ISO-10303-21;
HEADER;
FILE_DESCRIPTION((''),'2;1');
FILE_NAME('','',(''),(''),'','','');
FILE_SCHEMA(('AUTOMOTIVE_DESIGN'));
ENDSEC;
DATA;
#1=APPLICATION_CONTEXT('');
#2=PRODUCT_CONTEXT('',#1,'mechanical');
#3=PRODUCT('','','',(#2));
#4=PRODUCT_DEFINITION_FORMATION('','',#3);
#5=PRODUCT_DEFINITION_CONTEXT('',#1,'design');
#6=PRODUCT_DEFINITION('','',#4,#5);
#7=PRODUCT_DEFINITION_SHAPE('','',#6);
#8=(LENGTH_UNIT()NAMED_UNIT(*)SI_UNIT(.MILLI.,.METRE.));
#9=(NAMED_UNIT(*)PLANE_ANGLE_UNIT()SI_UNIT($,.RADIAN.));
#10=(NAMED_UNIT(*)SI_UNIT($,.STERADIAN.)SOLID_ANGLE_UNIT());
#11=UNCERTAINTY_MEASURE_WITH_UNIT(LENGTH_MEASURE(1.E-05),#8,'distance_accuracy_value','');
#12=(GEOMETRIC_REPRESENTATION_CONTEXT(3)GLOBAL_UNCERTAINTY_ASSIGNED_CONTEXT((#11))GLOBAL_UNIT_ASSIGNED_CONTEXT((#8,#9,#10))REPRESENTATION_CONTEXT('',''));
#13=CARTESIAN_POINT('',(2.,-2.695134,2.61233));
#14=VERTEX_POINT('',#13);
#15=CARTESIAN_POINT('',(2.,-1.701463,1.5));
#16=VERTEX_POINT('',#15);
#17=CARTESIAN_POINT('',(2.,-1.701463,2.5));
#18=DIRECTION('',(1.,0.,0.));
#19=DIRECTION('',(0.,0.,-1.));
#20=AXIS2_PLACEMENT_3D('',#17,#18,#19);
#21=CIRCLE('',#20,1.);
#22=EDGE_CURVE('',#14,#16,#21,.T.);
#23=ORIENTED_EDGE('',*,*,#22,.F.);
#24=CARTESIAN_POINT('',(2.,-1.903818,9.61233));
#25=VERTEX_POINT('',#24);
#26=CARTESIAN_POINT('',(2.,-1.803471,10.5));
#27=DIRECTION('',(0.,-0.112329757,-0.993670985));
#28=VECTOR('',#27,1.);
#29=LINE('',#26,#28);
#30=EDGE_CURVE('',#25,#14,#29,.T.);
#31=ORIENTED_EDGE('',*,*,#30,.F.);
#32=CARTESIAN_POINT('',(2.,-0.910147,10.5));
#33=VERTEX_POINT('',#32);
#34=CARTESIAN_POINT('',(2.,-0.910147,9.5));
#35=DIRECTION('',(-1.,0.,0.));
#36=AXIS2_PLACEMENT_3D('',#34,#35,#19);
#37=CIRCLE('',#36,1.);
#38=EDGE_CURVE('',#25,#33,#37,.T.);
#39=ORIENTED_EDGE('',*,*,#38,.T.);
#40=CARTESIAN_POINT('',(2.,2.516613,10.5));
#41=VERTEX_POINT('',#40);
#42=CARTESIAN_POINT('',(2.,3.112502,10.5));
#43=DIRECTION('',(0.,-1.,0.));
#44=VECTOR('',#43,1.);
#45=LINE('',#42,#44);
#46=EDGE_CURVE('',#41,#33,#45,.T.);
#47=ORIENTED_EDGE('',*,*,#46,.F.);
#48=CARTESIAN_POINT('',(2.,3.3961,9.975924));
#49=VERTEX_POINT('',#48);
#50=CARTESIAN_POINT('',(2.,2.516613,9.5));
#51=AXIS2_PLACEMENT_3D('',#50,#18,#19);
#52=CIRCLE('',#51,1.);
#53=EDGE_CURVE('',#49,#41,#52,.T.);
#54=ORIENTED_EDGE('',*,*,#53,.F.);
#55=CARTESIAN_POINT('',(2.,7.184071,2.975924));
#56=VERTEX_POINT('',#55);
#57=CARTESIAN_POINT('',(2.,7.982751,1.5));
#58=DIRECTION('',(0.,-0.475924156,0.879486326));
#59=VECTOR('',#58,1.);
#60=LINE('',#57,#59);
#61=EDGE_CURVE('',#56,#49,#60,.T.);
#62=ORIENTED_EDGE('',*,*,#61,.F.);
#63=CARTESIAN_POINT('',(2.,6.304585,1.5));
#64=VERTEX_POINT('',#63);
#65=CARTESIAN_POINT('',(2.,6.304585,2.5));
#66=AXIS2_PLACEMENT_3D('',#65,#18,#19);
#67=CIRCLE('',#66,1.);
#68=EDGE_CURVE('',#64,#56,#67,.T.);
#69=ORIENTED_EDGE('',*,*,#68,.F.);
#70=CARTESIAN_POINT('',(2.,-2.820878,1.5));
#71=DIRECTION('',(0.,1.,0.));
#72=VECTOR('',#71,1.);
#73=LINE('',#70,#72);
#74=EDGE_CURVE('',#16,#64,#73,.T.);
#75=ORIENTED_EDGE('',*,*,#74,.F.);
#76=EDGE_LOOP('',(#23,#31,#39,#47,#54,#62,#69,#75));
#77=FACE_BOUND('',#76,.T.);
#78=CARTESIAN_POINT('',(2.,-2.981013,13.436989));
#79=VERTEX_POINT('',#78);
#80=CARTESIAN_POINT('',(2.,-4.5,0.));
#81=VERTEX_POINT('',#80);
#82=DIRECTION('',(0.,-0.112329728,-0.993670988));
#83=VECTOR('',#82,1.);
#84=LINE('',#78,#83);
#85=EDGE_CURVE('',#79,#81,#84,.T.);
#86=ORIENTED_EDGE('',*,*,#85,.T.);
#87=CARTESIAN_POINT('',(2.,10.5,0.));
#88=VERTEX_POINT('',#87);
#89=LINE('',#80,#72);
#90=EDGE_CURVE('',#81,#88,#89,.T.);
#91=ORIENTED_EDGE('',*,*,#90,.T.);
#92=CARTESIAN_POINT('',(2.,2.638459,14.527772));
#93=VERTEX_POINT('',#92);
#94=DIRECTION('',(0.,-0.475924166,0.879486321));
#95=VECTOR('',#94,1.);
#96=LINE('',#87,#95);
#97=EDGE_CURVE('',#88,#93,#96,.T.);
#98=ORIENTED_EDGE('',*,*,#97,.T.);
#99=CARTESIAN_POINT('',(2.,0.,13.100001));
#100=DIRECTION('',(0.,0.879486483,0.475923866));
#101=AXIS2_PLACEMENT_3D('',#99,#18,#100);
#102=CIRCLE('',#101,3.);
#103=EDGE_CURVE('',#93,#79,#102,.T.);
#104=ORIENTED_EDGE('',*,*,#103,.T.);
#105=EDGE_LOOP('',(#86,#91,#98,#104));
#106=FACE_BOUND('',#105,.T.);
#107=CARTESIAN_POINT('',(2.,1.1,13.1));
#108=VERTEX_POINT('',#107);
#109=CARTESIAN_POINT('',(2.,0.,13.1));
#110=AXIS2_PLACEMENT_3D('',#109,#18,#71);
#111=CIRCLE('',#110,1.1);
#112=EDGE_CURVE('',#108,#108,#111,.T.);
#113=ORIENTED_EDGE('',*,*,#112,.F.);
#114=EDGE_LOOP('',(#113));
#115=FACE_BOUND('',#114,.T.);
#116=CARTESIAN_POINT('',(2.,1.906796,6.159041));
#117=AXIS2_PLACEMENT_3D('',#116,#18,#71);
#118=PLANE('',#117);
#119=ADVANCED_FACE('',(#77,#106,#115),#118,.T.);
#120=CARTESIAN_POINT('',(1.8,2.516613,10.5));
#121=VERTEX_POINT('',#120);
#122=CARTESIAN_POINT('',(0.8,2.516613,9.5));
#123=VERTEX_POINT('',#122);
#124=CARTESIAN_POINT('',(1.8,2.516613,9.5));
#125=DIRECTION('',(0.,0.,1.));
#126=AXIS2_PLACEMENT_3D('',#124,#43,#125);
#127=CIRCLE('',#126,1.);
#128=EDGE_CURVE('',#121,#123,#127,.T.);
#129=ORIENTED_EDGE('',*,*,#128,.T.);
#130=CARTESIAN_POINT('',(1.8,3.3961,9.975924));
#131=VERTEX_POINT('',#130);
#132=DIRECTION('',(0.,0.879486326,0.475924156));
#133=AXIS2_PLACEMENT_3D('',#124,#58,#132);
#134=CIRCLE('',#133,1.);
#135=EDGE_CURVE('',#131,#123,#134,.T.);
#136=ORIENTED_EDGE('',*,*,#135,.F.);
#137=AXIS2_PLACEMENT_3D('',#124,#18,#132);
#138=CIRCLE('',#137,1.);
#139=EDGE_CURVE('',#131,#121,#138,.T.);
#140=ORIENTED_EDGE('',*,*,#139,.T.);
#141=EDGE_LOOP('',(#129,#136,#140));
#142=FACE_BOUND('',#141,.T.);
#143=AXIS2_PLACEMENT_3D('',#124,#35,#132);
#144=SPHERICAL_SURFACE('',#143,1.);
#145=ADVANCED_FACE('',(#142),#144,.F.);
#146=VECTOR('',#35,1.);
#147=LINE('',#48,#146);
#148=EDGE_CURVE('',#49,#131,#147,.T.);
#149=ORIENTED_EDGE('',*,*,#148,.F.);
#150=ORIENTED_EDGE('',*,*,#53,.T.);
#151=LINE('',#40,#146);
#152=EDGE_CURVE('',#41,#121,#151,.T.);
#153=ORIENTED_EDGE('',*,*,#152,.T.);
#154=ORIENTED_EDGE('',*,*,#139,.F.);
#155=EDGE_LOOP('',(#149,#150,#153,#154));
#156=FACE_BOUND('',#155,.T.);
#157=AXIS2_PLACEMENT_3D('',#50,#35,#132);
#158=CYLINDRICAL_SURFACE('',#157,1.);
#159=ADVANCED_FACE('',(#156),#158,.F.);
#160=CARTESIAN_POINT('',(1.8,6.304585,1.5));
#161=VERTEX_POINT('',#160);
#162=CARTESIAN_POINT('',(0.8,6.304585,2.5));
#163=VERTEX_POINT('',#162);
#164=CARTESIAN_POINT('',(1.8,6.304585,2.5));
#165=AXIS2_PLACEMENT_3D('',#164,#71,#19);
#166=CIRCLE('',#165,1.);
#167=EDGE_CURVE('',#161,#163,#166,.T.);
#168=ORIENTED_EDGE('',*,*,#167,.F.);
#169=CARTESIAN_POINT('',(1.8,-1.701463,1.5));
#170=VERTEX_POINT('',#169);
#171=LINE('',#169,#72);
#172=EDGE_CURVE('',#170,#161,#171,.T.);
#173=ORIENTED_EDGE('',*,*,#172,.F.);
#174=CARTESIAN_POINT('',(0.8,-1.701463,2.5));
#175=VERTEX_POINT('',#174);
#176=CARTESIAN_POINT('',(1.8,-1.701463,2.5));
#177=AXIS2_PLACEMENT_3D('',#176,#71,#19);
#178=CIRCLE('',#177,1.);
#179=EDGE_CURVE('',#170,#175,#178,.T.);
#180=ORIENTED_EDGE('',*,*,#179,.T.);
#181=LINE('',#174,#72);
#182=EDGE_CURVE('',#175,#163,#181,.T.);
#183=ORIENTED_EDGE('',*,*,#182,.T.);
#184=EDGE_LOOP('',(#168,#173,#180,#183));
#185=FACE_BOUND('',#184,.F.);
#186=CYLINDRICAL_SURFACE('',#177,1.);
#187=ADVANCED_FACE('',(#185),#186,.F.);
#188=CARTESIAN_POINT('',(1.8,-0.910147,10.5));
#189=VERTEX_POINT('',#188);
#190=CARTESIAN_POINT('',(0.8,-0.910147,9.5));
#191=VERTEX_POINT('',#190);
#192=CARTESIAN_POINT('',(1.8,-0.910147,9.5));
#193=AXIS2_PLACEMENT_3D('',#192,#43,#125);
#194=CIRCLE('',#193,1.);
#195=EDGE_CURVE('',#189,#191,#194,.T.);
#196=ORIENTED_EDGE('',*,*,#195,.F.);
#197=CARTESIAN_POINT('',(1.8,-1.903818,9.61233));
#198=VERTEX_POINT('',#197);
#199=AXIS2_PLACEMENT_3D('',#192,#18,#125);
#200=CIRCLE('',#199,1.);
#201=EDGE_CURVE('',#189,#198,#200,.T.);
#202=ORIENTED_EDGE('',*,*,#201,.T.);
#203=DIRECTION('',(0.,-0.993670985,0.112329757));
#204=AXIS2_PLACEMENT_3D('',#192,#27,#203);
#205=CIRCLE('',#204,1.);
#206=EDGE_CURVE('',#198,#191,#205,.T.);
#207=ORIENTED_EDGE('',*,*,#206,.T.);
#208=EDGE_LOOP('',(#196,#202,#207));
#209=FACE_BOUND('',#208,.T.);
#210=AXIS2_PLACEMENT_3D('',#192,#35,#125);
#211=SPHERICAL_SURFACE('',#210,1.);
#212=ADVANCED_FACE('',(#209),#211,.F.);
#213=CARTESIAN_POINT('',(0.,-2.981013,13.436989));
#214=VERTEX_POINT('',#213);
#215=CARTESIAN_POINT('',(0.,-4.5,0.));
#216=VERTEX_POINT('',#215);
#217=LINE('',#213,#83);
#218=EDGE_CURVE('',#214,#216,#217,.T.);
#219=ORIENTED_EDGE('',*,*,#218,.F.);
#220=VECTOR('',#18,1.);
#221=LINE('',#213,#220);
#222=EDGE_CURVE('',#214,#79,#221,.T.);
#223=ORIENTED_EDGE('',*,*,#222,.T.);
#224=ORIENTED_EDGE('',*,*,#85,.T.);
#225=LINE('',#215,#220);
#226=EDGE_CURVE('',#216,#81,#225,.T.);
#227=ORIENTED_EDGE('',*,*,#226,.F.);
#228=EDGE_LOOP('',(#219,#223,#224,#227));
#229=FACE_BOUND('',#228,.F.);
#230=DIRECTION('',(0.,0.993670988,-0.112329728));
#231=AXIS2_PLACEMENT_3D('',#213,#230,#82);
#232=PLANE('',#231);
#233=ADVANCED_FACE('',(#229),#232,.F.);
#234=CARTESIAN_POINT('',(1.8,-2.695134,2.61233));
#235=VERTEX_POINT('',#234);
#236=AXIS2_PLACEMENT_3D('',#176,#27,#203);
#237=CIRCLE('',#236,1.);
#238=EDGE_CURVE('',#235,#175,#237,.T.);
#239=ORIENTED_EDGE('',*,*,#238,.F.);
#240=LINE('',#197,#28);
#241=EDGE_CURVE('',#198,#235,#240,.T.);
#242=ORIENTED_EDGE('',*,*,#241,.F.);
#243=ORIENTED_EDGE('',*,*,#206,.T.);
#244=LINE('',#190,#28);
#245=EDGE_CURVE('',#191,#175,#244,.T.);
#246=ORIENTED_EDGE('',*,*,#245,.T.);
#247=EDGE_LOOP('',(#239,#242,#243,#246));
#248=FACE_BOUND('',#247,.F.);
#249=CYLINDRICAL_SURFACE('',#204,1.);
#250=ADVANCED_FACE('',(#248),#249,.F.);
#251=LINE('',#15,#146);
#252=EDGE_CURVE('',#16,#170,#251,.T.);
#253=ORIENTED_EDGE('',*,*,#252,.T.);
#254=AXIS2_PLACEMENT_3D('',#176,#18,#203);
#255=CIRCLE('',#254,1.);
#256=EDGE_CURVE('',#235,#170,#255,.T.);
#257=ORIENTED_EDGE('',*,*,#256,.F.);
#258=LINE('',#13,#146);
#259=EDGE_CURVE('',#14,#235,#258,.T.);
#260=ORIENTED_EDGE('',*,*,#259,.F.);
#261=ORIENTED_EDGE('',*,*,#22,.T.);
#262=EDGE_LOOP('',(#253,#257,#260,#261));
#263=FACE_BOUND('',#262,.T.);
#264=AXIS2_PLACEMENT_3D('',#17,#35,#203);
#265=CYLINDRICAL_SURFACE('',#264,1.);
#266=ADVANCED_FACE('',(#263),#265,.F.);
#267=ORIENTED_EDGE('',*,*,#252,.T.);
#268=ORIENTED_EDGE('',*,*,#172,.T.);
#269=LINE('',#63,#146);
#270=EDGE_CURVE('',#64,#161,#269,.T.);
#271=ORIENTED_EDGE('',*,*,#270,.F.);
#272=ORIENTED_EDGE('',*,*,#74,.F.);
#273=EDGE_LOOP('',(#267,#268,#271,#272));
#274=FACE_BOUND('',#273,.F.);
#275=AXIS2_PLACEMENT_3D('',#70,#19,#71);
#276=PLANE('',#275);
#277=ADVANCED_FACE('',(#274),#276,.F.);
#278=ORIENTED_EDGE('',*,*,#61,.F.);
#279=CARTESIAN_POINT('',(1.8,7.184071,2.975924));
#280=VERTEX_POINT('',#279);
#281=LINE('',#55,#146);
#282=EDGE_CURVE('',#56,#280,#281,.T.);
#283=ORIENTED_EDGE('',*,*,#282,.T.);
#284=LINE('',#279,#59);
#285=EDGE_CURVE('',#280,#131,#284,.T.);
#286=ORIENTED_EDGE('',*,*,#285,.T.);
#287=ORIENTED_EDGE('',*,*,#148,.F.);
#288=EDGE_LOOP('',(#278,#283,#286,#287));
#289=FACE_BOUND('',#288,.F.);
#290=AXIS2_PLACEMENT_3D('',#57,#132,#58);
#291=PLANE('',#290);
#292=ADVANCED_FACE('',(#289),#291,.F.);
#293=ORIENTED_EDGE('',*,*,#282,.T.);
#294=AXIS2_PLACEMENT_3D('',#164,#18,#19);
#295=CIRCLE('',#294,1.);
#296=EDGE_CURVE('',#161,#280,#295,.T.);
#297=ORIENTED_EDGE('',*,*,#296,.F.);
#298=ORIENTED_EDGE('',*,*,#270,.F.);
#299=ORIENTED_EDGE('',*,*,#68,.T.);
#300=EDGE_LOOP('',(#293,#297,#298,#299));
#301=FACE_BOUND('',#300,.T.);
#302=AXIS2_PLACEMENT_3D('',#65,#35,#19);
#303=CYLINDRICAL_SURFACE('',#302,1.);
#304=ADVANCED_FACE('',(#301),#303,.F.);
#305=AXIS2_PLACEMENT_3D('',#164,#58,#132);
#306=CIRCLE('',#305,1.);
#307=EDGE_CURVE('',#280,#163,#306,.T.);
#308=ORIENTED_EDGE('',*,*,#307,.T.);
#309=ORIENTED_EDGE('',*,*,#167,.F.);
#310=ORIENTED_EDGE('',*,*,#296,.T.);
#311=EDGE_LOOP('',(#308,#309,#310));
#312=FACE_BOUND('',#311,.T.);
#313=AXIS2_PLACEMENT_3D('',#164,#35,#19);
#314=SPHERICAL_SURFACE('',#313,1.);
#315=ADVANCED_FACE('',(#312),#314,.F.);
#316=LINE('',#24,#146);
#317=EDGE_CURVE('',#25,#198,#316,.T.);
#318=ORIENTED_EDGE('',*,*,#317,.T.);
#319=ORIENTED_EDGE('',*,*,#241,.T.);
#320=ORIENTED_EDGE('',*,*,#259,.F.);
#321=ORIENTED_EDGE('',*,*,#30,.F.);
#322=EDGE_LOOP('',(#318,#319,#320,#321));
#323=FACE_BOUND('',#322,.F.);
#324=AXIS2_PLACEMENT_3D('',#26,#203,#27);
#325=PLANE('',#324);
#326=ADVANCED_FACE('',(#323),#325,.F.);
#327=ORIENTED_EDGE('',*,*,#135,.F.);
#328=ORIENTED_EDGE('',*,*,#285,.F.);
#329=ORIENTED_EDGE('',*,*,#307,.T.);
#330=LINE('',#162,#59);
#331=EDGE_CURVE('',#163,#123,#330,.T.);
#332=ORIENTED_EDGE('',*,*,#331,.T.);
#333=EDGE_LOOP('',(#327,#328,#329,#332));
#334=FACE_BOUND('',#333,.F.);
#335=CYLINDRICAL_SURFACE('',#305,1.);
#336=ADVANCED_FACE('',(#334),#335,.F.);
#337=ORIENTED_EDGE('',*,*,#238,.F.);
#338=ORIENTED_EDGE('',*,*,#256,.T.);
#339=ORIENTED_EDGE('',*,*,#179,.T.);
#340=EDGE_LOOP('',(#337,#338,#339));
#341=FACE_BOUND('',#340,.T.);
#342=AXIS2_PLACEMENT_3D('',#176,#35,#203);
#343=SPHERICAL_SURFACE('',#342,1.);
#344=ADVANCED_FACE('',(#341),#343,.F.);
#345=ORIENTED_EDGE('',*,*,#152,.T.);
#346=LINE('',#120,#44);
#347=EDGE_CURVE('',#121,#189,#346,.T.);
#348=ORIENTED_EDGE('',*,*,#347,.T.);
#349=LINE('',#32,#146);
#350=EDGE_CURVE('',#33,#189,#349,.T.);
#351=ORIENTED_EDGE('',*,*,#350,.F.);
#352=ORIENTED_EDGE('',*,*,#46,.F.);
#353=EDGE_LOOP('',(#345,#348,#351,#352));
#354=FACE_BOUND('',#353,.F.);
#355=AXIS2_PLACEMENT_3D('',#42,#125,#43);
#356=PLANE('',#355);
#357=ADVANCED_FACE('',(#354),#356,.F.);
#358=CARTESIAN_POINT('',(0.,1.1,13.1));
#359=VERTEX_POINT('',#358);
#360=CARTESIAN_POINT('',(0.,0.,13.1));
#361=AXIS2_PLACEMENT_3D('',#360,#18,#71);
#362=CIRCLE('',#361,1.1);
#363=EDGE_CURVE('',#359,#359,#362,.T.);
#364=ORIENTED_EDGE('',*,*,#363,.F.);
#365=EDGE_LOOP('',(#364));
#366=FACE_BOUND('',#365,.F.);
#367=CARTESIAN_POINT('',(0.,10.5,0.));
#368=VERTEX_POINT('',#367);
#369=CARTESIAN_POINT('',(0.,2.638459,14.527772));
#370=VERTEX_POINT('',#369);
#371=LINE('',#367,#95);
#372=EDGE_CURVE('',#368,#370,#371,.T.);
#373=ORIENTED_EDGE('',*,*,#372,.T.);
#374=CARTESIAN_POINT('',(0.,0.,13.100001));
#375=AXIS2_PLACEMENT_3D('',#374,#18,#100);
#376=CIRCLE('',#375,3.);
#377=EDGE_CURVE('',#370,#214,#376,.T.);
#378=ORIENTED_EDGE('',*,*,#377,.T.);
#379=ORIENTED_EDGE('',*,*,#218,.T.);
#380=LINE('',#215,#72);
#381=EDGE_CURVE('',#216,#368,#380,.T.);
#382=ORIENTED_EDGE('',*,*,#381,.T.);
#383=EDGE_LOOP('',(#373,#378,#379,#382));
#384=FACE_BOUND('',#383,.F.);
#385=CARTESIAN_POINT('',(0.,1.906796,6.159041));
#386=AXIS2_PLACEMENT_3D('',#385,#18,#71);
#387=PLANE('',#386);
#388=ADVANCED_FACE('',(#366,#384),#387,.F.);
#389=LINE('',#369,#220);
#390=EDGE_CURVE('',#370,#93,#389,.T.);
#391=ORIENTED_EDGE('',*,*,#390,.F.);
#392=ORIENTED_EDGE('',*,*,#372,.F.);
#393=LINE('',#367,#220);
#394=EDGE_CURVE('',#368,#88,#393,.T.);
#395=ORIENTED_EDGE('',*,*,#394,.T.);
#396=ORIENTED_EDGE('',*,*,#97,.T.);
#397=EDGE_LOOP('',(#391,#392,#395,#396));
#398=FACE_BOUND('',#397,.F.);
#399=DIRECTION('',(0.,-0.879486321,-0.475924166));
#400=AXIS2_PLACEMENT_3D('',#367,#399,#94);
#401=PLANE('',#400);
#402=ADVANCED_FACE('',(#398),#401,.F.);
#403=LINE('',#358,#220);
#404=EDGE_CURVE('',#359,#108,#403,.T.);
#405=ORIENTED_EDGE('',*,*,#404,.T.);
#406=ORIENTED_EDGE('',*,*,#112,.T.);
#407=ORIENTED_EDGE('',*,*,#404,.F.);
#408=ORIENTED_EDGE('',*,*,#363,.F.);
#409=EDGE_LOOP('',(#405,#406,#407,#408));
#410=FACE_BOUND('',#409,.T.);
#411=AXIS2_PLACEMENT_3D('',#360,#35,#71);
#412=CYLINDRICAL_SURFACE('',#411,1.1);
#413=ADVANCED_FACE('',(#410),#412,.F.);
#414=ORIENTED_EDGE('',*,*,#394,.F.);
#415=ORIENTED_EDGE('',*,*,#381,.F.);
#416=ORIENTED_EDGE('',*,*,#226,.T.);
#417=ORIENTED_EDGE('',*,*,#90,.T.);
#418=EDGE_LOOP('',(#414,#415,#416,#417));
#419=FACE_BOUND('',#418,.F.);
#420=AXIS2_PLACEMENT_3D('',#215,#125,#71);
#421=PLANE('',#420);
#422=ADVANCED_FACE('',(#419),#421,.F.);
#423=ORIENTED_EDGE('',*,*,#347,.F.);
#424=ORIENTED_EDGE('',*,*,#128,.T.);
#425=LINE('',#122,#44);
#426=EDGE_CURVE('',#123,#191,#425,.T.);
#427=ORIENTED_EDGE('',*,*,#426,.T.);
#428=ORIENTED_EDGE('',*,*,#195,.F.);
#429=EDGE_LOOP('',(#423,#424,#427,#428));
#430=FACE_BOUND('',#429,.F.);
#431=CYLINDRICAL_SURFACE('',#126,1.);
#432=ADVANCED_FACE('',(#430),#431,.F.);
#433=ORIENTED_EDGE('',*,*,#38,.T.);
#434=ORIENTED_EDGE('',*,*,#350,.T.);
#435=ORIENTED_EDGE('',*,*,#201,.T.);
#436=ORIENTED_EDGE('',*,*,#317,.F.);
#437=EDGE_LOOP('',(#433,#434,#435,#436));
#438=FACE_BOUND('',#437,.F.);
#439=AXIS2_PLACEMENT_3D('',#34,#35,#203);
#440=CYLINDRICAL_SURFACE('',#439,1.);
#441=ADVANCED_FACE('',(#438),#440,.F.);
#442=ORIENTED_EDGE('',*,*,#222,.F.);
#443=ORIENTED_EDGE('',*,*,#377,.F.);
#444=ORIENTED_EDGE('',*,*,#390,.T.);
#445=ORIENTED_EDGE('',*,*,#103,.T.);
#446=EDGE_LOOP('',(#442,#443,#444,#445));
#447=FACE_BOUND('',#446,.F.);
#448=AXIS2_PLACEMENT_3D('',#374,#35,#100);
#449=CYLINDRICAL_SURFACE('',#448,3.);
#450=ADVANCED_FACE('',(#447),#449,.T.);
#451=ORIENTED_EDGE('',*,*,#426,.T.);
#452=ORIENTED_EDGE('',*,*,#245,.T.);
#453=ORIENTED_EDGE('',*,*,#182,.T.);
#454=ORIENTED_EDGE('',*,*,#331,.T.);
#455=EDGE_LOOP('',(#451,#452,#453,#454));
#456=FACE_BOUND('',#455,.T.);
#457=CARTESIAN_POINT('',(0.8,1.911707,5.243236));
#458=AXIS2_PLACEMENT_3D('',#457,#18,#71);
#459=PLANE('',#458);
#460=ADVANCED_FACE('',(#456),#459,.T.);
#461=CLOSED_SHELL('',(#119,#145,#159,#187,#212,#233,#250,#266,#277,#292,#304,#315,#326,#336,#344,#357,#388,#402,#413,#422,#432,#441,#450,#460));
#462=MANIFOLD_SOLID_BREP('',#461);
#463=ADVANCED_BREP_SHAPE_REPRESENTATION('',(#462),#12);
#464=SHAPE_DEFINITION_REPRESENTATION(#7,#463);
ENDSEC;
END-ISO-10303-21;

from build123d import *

# Parameters (mm, degrees)
F0_R     = 1.1
F1_DEPTH = 2
F3_DEPTH = 1.2
F4_R     = 1
F5_R     = 1


with BuildPart() as f1:
    # F0 (on Right) → F1 (new body)
    with BuildSketch(Plane.YZ):
        with BuildLine():
            Line((-4.5, 0), (10.5, 0))
            Line((10.5, 0), (2.638459, 14.527772))
            ThreePointArc((2.638459, 14.527772), (-0.571654, 16.045032), (-2.981013, 13.436989))
            Line((-2.981013, 13.436989), (-4.5, 0))
        make_face()
        with Locations((0, 13.1)):
            Circle(F0_R, mode=Mode.SUBTRACT)
    extrude(amount=F1_DEPTH)

    # F2 (on face) → F3 (cut)
    with BuildSketch(Plane.YZ.offset(2)):
        Polygon((-1.803471, 10.5), (-2.820878, 1.5), (7.982751, 1.5), (3.112502, 10.5), align=None)
    extrude(amount=-F3_DEPTH, mode=Mode.SUBTRACT)

    # F4
    f4_edges = [f1.edges().sort_by_distance(p)[0] for p in [
        (1.4, -1.803471, 10.5),
        (1.4, 3.112502, 10.5),
        (1.4, 7.982751, 1.5),
        (1.4, -2.820878, 1.5),
    ]]
    fillet(f4_edges, radius=F4_R)

    # F5
    f5_edges = [f1.edges().sort_by_distance(p)[0] for p in [
        (0.8, 2.30156, 1.5),
        (0.8, -2.447228, 1.83379),
        (0.8, 7.163632, 1.988104),
        (0.8, -2.299477, 6.11233),
        (0.8, 5.290085, 6.475924),
        (0.8, -1.576357, 10.245765),
        (0.8, 3.02851, 10.359047),
        (0.8, 0.803233, 10.5),
    ]]
    fillet(f5_edges, radius=F5_R)


solid = f1.part
